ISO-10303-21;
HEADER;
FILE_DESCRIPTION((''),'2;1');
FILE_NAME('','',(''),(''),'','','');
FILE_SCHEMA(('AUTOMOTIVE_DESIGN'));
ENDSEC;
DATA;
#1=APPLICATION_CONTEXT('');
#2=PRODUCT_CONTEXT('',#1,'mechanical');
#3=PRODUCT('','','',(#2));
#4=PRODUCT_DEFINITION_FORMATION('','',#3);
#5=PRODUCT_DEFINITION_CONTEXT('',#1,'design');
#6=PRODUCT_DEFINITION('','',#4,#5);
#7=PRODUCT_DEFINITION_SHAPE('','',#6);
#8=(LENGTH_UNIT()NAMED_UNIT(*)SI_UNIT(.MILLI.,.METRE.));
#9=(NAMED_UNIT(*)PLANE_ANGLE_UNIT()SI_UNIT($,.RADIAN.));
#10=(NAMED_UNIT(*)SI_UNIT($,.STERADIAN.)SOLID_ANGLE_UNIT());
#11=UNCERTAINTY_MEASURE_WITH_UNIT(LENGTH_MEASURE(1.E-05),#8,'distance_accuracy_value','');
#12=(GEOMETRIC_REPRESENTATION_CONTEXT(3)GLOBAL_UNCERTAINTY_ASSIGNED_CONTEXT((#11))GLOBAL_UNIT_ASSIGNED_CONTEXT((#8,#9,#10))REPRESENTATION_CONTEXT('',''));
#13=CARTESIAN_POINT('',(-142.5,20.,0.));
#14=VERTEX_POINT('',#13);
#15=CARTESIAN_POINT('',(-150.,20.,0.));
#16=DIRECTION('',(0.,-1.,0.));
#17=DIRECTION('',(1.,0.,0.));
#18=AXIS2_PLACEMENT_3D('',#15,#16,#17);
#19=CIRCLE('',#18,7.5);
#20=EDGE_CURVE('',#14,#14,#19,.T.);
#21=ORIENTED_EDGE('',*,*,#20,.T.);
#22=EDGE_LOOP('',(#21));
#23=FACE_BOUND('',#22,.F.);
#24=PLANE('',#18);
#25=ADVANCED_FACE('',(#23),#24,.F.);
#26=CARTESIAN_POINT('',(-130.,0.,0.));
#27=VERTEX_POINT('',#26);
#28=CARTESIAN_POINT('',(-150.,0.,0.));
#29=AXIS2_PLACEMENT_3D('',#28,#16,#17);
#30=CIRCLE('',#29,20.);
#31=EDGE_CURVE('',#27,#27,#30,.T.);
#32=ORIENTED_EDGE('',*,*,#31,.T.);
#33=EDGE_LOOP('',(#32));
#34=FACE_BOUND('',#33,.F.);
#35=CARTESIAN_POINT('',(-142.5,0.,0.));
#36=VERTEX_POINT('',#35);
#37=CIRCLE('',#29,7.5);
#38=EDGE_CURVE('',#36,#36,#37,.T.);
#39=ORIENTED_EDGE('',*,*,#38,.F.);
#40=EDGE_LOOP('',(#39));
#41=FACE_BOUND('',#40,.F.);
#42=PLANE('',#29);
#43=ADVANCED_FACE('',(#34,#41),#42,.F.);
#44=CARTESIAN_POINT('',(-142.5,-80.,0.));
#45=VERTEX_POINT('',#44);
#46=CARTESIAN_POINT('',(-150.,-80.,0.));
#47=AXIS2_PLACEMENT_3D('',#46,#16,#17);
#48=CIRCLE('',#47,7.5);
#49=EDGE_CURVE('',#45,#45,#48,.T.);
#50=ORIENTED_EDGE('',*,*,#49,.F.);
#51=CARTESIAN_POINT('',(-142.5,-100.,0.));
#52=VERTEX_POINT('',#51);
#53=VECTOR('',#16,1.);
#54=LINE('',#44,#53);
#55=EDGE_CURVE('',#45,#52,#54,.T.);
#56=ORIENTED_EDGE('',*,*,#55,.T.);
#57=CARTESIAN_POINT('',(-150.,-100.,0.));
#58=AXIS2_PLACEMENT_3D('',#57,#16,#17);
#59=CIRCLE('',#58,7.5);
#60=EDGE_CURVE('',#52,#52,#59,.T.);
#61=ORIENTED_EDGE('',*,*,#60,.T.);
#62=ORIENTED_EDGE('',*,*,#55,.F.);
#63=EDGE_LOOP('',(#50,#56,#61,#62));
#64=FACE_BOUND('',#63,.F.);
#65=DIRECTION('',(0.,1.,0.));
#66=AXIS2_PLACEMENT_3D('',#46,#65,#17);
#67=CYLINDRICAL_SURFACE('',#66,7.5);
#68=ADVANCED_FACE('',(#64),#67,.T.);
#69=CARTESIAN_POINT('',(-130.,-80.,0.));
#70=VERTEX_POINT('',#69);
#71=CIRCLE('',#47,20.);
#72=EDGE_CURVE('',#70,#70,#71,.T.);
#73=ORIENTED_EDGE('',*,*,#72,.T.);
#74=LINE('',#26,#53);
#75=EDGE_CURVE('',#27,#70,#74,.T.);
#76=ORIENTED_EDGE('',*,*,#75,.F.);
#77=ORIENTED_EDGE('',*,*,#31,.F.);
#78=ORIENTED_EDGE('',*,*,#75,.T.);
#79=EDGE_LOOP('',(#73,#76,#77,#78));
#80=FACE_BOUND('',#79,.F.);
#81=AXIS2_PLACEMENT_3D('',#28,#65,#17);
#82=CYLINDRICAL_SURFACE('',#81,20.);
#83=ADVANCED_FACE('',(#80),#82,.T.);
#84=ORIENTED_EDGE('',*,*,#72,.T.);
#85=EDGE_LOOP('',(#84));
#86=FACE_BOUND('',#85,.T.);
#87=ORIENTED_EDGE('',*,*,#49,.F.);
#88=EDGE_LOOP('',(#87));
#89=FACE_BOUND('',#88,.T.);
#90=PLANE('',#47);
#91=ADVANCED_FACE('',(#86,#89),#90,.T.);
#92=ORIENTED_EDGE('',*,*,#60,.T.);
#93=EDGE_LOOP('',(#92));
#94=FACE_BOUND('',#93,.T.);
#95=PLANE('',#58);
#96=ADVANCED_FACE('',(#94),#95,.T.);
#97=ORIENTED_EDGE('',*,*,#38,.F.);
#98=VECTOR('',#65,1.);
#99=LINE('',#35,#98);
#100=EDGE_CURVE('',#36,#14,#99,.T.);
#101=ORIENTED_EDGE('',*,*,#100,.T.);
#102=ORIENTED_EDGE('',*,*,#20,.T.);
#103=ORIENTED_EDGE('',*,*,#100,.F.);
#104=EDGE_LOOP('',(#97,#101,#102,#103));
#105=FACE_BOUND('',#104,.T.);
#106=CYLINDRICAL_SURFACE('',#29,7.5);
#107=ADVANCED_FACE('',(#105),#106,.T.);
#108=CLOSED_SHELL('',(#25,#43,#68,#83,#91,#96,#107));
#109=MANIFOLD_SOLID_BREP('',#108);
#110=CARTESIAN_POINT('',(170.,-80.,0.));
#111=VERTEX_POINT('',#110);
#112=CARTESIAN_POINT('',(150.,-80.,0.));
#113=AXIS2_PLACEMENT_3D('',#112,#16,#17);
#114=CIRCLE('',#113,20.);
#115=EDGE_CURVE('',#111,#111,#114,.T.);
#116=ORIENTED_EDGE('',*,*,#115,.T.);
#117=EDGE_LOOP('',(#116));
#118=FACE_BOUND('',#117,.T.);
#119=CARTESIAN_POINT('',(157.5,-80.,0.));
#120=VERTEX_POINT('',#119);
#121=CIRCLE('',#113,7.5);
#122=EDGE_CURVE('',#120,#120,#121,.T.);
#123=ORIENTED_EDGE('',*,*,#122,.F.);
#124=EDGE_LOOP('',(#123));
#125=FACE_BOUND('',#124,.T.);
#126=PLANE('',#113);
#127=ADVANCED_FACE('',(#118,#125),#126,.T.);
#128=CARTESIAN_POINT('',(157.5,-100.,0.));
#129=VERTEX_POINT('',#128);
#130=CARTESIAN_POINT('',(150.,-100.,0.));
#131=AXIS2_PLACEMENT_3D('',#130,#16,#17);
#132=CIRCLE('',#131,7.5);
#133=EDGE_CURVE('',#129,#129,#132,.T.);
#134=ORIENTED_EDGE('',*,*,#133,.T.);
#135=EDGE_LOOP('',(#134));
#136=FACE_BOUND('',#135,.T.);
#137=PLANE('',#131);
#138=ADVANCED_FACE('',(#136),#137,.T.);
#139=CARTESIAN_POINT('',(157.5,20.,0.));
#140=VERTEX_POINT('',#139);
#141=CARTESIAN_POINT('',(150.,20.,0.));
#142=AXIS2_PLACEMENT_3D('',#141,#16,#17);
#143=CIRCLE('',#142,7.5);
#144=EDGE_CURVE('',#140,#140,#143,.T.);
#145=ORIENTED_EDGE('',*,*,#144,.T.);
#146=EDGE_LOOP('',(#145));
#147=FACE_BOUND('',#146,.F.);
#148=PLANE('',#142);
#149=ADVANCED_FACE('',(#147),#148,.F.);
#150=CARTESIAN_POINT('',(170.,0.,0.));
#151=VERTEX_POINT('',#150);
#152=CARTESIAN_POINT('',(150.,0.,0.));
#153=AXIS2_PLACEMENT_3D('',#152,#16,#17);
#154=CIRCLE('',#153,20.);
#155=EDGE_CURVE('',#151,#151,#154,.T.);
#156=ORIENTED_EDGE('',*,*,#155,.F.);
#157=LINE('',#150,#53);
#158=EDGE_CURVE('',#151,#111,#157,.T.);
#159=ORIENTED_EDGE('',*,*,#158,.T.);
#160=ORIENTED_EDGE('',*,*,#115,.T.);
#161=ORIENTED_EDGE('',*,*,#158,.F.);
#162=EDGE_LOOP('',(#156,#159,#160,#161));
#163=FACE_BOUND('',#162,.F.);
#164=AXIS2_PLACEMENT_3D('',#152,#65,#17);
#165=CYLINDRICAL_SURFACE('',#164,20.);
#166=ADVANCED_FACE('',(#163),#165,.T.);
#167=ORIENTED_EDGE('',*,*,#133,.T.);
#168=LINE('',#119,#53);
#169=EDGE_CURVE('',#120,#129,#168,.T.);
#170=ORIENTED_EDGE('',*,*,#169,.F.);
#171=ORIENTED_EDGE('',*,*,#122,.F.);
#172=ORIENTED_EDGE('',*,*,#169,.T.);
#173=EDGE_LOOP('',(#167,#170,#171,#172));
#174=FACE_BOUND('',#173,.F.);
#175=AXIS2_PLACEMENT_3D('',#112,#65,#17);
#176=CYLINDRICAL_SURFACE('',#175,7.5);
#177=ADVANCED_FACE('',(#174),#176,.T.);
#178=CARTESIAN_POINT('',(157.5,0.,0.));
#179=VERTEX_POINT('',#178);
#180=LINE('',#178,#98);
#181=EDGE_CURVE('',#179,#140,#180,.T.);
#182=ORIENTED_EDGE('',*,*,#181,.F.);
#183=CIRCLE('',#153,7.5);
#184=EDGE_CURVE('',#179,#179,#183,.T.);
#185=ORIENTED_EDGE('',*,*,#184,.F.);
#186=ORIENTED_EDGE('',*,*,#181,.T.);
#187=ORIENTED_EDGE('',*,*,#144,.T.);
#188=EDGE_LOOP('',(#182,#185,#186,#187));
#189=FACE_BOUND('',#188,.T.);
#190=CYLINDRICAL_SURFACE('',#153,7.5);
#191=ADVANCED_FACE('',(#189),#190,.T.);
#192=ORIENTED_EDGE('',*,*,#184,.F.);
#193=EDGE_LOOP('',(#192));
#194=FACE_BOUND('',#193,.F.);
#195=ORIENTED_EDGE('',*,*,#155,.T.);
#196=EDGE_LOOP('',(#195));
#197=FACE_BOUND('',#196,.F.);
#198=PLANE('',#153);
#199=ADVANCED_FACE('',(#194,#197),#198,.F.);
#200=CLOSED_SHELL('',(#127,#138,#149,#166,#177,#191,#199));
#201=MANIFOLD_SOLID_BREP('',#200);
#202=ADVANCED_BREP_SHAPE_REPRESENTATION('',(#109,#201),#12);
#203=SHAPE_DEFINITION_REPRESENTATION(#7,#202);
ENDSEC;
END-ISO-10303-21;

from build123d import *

# Parameters (mm, degrees)
F0_R      = 20
F1_DEPTH  = 80
F2_DEPTH  = 80
F3_R      = 7.5
F4_DEPTH  = 20
F5_R      = 7.5
F6_DEPTH  = 20
F7_R      = 7.5
F8_DEPTH  = 20
F9_R      = 7.5
F10_DEPTH = 20


with BuildPart() as f1:
    # F0 (on Front) → F1 (new body)
    with BuildSketch(Plane.XZ):
        with Locations((-150, 0)):
            Circle(F0_R)
    extrude(amount=F1_DEPTH)

    # F3 (on face) → F4 (join)
    with BuildSketch(Plane.XZ.offset(80)):
        with Locations((-150, 0)):
            Circle(F3_R)
    extrude(amount=F4_DEPTH)

    # F5 (on face) → F6 (join)
    with BuildSketch(Plane.XZ):
        with Locations((-150, 0)):
            Circle(F5_R)
    extrude(amount=-F6_DEPTH)


with BuildPart() as f2:
    # F0 (on Front) → F2 (new body)
    with BuildSketch(Plane.XZ):
        with Locations((150, 0)):
            Circle(F0_R)
    extrude(amount=F2_DEPTH)

    # F7 (on face) → F8 (join)
    with BuildSketch(Plane.XZ.offset(80)):
        with Locations((150, 0)):
            Circle(F7_R)
    extrude(amount=F8_DEPTH)

    # F9 (on face) → F10 (join)
    with BuildSketch(Plane.XZ):
        with Locations((150, 0)):
            Circle(F9_R)
    extrude(amount=-F10_DEPTH)


solid = Compound([f1.part, f2.part])
